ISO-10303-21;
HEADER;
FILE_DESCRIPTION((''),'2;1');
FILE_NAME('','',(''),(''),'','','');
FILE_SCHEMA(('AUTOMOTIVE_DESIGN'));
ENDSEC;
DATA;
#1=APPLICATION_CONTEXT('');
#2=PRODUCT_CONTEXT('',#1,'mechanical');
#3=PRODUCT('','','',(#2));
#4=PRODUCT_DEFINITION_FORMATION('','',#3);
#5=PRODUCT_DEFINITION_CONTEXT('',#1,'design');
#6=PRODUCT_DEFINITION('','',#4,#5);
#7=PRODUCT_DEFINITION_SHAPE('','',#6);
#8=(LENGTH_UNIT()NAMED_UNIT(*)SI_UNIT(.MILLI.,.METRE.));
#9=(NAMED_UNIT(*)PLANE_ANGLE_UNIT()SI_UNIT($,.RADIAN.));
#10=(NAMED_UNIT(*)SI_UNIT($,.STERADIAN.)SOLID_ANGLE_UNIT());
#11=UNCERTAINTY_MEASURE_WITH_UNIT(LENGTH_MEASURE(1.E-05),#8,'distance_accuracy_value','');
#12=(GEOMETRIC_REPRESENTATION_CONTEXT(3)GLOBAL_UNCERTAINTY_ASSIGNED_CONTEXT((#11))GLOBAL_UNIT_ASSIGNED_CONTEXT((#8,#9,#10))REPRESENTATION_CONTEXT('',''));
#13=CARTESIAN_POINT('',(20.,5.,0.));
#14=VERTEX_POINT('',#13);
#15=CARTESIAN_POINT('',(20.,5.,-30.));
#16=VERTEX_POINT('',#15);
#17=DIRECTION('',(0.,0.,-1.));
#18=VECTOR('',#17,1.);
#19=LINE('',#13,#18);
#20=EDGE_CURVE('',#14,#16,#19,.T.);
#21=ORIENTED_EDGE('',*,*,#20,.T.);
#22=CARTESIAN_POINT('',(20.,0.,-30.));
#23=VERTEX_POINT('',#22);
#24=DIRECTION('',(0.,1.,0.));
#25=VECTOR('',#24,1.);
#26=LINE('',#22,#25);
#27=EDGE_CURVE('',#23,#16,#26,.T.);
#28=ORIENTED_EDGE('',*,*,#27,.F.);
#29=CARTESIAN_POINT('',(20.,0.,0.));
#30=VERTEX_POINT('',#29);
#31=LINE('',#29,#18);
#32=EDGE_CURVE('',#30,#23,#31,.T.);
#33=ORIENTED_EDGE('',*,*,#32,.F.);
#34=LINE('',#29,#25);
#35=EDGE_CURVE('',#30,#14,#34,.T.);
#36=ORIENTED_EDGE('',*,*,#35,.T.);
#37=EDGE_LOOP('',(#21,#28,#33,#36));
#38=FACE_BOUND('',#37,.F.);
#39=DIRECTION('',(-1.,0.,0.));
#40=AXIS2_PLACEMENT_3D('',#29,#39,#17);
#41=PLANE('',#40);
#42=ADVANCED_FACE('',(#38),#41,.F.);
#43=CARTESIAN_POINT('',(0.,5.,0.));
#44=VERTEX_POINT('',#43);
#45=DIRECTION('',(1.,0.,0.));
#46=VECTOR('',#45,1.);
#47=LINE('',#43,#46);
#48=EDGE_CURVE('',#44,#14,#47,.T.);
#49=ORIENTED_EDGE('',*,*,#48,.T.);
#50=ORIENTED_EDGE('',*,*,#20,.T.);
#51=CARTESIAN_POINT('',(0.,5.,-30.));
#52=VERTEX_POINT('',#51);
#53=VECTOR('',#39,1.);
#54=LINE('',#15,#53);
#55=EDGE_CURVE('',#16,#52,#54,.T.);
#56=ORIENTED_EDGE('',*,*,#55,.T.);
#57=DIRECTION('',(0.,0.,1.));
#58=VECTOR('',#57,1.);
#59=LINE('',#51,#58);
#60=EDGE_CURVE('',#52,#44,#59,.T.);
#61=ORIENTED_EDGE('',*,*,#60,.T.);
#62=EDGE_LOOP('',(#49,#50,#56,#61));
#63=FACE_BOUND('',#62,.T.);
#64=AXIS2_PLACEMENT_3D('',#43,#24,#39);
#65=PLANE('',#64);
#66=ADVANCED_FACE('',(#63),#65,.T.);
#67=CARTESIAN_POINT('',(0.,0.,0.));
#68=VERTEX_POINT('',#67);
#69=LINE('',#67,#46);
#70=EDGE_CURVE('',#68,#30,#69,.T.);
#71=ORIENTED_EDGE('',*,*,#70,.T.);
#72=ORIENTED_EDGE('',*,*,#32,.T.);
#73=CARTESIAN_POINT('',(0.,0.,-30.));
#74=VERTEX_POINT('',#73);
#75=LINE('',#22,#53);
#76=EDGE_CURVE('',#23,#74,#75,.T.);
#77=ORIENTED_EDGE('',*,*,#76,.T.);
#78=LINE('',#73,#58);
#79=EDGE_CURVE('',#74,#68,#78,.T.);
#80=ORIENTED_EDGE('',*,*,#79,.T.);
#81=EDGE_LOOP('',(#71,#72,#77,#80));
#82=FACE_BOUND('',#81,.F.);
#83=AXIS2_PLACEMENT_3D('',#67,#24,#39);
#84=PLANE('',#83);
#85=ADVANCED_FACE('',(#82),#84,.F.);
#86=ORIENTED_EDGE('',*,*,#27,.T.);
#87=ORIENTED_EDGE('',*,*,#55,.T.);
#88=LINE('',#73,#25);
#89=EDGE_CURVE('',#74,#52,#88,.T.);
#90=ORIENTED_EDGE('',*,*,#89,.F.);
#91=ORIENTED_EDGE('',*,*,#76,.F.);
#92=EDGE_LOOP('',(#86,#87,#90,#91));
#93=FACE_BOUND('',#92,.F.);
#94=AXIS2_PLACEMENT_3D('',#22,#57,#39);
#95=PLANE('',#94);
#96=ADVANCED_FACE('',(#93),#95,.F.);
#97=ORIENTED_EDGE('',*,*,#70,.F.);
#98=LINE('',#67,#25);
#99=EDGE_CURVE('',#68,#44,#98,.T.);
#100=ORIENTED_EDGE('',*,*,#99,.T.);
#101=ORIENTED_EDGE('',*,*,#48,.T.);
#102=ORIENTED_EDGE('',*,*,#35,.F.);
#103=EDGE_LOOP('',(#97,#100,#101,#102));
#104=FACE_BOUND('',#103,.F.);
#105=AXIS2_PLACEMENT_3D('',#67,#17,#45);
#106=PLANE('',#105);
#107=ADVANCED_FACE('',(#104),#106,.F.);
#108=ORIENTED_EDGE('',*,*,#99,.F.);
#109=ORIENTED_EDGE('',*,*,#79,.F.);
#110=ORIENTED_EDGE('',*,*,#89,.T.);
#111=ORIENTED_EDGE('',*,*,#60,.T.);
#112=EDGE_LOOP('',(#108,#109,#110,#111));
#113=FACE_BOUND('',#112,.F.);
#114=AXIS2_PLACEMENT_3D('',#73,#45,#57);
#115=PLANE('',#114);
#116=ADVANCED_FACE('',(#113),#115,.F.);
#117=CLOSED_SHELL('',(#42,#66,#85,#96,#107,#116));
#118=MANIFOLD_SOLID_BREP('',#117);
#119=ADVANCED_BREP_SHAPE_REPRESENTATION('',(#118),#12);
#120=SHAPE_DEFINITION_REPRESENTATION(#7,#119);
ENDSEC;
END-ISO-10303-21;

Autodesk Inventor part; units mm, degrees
ref_plane "YZ Plane" through (0, 0, 0) normal (1, 0, 0) x (0, 1, 0)
ref_plane "XZ Plane" through (0, 0, 0) normal (0, 1, 0) x (-1, 0, 0)
ref_plane "XY Plane" through (0, 0, 0) normal (0, 0, 1) x (1, 0, 0)
sketch "Sketch1" plane through (0, 0, 0) normal (0, 1, 0) x (-1, 0, 0)
  line L0 (0, 0) -> (-20, 0)
  line L1 (-20, 0) -> (-20, -30)
  line L2 (-20, -30) -> (0, -30)
  line L3 (0, -30) -> (0, 0)
  dimension "d0" = 30
  dimension "d1" = 20
extrude "Extrusion1" add sketch "Sketch1" along normal blind 5
properties part number "support under plaque to be glued"
